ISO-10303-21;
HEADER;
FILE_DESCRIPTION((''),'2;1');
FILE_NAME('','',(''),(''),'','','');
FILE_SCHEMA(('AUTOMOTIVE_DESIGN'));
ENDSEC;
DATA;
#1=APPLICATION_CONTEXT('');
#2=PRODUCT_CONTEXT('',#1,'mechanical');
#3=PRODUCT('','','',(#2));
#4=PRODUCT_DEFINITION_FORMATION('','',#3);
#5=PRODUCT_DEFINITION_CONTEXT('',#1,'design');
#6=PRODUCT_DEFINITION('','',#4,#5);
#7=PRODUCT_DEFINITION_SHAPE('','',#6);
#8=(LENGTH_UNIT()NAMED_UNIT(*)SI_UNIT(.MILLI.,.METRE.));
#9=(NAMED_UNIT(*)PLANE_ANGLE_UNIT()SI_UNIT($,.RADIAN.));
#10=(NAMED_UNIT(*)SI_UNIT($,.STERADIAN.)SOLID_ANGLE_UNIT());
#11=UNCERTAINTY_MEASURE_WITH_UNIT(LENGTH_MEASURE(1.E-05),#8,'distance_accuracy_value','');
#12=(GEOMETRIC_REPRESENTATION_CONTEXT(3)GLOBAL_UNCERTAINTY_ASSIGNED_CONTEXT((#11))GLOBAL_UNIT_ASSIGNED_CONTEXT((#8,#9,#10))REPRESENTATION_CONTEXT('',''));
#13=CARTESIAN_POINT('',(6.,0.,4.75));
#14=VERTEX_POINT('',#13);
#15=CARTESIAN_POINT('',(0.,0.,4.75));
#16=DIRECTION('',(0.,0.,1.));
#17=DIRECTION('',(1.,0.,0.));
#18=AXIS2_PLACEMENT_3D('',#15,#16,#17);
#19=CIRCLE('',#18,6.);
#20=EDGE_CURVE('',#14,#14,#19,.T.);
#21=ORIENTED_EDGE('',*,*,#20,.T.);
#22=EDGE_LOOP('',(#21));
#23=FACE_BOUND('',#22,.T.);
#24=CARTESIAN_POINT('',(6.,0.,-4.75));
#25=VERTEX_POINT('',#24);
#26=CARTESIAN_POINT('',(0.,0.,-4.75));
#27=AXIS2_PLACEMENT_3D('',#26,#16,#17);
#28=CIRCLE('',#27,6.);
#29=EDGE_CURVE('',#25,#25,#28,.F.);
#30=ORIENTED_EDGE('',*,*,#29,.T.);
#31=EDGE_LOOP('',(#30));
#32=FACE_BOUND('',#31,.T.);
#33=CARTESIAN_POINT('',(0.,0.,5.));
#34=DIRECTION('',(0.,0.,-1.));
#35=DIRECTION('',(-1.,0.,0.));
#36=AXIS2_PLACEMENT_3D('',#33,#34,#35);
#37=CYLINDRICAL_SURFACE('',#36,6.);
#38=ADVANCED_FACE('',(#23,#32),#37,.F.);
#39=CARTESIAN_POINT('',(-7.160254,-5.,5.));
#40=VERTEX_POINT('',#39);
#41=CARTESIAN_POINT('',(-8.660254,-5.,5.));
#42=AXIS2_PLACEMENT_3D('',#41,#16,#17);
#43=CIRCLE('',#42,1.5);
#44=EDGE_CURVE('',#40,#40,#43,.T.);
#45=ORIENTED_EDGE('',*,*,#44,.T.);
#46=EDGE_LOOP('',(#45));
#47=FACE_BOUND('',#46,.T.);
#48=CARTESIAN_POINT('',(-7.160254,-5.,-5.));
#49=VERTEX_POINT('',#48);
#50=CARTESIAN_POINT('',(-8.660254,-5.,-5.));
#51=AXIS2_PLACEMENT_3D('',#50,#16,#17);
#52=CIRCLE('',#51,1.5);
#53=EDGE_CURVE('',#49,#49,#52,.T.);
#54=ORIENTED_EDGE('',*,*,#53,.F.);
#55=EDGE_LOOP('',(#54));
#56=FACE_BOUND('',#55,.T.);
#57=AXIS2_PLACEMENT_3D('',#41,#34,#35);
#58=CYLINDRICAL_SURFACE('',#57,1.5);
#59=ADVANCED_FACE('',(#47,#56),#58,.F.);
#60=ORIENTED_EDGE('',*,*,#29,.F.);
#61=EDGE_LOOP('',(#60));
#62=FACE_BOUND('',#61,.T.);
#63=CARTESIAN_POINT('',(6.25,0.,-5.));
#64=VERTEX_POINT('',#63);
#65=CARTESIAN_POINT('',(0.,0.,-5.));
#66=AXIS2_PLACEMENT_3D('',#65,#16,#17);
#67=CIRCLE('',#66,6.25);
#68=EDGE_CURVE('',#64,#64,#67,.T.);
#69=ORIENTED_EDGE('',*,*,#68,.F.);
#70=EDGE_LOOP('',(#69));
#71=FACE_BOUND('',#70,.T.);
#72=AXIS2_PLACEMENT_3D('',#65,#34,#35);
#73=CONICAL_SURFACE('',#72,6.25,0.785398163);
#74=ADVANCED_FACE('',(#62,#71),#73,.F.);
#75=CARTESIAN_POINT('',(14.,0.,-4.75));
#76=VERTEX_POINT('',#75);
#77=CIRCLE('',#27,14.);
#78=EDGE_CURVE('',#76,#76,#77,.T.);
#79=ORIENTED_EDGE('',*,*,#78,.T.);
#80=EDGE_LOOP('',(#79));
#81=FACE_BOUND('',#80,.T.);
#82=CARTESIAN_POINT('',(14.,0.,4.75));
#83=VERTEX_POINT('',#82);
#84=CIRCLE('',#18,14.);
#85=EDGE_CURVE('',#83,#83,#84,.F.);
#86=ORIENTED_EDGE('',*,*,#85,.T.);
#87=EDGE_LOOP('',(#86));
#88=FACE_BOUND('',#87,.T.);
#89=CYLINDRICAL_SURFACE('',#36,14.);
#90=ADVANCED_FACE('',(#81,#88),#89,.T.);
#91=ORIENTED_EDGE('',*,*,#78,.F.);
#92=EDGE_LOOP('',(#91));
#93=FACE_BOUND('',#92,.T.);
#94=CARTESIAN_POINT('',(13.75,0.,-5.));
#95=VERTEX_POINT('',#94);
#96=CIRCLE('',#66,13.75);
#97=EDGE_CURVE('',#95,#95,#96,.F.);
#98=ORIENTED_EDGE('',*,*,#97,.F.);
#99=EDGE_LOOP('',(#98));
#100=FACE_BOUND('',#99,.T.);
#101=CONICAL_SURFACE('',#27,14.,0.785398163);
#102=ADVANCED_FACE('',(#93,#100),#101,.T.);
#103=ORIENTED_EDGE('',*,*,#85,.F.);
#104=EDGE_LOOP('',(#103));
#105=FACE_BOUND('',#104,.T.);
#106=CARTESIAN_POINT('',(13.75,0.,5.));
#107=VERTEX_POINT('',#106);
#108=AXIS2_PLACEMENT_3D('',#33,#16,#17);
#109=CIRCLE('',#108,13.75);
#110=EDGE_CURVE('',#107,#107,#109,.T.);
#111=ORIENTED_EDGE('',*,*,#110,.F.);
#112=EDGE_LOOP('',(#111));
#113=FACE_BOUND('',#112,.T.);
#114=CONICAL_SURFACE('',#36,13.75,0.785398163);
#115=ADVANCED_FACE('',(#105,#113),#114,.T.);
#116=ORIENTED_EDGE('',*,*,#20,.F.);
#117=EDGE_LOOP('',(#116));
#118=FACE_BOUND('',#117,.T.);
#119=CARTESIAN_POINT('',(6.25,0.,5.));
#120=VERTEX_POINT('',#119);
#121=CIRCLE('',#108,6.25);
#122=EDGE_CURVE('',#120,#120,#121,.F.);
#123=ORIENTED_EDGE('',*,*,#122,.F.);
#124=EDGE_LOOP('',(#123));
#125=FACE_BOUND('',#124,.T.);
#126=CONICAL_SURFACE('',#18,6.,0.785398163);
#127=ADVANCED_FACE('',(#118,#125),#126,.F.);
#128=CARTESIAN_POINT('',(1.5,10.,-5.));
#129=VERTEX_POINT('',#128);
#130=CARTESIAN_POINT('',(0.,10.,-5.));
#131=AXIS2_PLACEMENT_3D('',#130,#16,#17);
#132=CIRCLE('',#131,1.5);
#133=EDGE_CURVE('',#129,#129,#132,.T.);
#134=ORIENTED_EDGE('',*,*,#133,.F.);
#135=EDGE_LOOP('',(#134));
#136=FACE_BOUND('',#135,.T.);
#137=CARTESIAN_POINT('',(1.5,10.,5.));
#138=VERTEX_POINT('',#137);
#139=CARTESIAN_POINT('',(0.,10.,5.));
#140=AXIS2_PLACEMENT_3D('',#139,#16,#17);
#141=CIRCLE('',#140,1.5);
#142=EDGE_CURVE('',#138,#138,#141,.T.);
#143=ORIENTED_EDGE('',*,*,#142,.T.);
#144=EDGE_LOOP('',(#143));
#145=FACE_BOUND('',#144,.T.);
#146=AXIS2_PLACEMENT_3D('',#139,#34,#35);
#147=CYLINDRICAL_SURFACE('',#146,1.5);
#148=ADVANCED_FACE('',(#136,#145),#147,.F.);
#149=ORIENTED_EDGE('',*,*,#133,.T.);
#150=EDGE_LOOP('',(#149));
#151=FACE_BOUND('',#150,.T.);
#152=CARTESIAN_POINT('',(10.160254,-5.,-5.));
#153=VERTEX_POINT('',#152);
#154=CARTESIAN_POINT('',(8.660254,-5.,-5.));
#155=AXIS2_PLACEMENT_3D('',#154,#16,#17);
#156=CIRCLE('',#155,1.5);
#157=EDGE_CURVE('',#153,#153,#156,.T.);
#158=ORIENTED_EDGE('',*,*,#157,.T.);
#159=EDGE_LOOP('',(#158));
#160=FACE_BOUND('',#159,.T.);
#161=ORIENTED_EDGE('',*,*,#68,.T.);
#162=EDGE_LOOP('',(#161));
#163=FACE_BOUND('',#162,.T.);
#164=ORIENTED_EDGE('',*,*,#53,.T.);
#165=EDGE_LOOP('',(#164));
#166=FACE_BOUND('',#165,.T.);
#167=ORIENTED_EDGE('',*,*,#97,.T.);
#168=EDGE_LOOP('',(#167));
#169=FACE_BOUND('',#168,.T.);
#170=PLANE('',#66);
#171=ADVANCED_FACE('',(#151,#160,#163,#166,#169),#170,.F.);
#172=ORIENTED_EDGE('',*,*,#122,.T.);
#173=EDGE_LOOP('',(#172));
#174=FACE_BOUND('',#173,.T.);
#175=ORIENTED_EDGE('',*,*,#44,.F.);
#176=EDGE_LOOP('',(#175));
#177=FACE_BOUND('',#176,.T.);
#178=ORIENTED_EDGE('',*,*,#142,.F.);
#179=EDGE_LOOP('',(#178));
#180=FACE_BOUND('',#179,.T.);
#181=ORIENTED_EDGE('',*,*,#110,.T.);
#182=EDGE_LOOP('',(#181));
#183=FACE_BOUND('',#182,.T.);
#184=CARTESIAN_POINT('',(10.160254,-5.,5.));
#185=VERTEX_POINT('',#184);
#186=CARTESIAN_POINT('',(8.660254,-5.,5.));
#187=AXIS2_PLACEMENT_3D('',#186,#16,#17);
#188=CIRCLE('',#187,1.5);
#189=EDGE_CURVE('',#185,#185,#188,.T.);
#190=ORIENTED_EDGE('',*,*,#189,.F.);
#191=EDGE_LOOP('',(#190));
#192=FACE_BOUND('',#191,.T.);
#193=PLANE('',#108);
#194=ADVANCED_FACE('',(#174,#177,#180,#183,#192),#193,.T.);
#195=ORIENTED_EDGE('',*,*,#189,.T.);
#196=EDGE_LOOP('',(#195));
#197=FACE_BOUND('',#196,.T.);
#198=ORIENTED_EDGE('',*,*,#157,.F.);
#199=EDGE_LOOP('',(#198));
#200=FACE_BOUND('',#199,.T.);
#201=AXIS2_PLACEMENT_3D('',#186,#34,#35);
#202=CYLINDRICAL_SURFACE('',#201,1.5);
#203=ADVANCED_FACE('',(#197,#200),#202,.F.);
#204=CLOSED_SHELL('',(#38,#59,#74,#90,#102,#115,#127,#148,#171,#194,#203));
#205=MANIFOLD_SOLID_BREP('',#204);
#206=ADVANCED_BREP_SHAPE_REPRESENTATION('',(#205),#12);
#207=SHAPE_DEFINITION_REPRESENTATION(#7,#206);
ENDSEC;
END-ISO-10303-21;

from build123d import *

# Parameters (mm, degrees)
SKETCH1_R           = 14
SKETCH1_R_2         = 6
SKETCH1_R_3         = 1.5
BOSS_EXTRUDE1_DEPTH = 5
CHAMFER1_SIZE       = 0.25


with BuildPart() as part:
    # Sketch1 → Boss-Extrude1 (new body, symmetric)
    with BuildSketch(Plane.XY):
        Circle(SKETCH1_R)
        Circle(SKETCH1_R_2, mode=Mode.SUBTRACT)
        with Locations((0, 10)):
            Circle(SKETCH1_R_3, mode=Mode.SUBTRACT)
        with Locations((8.660254038, -5)):
            Circle(SKETCH1_R_3, mode=Mode.SUBTRACT)
        with Locations((-8.660254038, -5)):
            Circle(SKETCH1_R_3, mode=Mode.SUBTRACT)
    extrude(amount=BOSS_EXTRUDE1_DEPTH, both=True)

    # Chamfer1
    chamfer1_edges = [part.edges().sort_by_distance(p)[0] for p in [
        (-14, 0, -5),
        (-14, 0, 5),
        (-6, 0, -5),
        (-6, 0, 5),
    ]]
    chamfer(chamfer1_edges, length=CHAMFER1_SIZE)


solid = part.part
